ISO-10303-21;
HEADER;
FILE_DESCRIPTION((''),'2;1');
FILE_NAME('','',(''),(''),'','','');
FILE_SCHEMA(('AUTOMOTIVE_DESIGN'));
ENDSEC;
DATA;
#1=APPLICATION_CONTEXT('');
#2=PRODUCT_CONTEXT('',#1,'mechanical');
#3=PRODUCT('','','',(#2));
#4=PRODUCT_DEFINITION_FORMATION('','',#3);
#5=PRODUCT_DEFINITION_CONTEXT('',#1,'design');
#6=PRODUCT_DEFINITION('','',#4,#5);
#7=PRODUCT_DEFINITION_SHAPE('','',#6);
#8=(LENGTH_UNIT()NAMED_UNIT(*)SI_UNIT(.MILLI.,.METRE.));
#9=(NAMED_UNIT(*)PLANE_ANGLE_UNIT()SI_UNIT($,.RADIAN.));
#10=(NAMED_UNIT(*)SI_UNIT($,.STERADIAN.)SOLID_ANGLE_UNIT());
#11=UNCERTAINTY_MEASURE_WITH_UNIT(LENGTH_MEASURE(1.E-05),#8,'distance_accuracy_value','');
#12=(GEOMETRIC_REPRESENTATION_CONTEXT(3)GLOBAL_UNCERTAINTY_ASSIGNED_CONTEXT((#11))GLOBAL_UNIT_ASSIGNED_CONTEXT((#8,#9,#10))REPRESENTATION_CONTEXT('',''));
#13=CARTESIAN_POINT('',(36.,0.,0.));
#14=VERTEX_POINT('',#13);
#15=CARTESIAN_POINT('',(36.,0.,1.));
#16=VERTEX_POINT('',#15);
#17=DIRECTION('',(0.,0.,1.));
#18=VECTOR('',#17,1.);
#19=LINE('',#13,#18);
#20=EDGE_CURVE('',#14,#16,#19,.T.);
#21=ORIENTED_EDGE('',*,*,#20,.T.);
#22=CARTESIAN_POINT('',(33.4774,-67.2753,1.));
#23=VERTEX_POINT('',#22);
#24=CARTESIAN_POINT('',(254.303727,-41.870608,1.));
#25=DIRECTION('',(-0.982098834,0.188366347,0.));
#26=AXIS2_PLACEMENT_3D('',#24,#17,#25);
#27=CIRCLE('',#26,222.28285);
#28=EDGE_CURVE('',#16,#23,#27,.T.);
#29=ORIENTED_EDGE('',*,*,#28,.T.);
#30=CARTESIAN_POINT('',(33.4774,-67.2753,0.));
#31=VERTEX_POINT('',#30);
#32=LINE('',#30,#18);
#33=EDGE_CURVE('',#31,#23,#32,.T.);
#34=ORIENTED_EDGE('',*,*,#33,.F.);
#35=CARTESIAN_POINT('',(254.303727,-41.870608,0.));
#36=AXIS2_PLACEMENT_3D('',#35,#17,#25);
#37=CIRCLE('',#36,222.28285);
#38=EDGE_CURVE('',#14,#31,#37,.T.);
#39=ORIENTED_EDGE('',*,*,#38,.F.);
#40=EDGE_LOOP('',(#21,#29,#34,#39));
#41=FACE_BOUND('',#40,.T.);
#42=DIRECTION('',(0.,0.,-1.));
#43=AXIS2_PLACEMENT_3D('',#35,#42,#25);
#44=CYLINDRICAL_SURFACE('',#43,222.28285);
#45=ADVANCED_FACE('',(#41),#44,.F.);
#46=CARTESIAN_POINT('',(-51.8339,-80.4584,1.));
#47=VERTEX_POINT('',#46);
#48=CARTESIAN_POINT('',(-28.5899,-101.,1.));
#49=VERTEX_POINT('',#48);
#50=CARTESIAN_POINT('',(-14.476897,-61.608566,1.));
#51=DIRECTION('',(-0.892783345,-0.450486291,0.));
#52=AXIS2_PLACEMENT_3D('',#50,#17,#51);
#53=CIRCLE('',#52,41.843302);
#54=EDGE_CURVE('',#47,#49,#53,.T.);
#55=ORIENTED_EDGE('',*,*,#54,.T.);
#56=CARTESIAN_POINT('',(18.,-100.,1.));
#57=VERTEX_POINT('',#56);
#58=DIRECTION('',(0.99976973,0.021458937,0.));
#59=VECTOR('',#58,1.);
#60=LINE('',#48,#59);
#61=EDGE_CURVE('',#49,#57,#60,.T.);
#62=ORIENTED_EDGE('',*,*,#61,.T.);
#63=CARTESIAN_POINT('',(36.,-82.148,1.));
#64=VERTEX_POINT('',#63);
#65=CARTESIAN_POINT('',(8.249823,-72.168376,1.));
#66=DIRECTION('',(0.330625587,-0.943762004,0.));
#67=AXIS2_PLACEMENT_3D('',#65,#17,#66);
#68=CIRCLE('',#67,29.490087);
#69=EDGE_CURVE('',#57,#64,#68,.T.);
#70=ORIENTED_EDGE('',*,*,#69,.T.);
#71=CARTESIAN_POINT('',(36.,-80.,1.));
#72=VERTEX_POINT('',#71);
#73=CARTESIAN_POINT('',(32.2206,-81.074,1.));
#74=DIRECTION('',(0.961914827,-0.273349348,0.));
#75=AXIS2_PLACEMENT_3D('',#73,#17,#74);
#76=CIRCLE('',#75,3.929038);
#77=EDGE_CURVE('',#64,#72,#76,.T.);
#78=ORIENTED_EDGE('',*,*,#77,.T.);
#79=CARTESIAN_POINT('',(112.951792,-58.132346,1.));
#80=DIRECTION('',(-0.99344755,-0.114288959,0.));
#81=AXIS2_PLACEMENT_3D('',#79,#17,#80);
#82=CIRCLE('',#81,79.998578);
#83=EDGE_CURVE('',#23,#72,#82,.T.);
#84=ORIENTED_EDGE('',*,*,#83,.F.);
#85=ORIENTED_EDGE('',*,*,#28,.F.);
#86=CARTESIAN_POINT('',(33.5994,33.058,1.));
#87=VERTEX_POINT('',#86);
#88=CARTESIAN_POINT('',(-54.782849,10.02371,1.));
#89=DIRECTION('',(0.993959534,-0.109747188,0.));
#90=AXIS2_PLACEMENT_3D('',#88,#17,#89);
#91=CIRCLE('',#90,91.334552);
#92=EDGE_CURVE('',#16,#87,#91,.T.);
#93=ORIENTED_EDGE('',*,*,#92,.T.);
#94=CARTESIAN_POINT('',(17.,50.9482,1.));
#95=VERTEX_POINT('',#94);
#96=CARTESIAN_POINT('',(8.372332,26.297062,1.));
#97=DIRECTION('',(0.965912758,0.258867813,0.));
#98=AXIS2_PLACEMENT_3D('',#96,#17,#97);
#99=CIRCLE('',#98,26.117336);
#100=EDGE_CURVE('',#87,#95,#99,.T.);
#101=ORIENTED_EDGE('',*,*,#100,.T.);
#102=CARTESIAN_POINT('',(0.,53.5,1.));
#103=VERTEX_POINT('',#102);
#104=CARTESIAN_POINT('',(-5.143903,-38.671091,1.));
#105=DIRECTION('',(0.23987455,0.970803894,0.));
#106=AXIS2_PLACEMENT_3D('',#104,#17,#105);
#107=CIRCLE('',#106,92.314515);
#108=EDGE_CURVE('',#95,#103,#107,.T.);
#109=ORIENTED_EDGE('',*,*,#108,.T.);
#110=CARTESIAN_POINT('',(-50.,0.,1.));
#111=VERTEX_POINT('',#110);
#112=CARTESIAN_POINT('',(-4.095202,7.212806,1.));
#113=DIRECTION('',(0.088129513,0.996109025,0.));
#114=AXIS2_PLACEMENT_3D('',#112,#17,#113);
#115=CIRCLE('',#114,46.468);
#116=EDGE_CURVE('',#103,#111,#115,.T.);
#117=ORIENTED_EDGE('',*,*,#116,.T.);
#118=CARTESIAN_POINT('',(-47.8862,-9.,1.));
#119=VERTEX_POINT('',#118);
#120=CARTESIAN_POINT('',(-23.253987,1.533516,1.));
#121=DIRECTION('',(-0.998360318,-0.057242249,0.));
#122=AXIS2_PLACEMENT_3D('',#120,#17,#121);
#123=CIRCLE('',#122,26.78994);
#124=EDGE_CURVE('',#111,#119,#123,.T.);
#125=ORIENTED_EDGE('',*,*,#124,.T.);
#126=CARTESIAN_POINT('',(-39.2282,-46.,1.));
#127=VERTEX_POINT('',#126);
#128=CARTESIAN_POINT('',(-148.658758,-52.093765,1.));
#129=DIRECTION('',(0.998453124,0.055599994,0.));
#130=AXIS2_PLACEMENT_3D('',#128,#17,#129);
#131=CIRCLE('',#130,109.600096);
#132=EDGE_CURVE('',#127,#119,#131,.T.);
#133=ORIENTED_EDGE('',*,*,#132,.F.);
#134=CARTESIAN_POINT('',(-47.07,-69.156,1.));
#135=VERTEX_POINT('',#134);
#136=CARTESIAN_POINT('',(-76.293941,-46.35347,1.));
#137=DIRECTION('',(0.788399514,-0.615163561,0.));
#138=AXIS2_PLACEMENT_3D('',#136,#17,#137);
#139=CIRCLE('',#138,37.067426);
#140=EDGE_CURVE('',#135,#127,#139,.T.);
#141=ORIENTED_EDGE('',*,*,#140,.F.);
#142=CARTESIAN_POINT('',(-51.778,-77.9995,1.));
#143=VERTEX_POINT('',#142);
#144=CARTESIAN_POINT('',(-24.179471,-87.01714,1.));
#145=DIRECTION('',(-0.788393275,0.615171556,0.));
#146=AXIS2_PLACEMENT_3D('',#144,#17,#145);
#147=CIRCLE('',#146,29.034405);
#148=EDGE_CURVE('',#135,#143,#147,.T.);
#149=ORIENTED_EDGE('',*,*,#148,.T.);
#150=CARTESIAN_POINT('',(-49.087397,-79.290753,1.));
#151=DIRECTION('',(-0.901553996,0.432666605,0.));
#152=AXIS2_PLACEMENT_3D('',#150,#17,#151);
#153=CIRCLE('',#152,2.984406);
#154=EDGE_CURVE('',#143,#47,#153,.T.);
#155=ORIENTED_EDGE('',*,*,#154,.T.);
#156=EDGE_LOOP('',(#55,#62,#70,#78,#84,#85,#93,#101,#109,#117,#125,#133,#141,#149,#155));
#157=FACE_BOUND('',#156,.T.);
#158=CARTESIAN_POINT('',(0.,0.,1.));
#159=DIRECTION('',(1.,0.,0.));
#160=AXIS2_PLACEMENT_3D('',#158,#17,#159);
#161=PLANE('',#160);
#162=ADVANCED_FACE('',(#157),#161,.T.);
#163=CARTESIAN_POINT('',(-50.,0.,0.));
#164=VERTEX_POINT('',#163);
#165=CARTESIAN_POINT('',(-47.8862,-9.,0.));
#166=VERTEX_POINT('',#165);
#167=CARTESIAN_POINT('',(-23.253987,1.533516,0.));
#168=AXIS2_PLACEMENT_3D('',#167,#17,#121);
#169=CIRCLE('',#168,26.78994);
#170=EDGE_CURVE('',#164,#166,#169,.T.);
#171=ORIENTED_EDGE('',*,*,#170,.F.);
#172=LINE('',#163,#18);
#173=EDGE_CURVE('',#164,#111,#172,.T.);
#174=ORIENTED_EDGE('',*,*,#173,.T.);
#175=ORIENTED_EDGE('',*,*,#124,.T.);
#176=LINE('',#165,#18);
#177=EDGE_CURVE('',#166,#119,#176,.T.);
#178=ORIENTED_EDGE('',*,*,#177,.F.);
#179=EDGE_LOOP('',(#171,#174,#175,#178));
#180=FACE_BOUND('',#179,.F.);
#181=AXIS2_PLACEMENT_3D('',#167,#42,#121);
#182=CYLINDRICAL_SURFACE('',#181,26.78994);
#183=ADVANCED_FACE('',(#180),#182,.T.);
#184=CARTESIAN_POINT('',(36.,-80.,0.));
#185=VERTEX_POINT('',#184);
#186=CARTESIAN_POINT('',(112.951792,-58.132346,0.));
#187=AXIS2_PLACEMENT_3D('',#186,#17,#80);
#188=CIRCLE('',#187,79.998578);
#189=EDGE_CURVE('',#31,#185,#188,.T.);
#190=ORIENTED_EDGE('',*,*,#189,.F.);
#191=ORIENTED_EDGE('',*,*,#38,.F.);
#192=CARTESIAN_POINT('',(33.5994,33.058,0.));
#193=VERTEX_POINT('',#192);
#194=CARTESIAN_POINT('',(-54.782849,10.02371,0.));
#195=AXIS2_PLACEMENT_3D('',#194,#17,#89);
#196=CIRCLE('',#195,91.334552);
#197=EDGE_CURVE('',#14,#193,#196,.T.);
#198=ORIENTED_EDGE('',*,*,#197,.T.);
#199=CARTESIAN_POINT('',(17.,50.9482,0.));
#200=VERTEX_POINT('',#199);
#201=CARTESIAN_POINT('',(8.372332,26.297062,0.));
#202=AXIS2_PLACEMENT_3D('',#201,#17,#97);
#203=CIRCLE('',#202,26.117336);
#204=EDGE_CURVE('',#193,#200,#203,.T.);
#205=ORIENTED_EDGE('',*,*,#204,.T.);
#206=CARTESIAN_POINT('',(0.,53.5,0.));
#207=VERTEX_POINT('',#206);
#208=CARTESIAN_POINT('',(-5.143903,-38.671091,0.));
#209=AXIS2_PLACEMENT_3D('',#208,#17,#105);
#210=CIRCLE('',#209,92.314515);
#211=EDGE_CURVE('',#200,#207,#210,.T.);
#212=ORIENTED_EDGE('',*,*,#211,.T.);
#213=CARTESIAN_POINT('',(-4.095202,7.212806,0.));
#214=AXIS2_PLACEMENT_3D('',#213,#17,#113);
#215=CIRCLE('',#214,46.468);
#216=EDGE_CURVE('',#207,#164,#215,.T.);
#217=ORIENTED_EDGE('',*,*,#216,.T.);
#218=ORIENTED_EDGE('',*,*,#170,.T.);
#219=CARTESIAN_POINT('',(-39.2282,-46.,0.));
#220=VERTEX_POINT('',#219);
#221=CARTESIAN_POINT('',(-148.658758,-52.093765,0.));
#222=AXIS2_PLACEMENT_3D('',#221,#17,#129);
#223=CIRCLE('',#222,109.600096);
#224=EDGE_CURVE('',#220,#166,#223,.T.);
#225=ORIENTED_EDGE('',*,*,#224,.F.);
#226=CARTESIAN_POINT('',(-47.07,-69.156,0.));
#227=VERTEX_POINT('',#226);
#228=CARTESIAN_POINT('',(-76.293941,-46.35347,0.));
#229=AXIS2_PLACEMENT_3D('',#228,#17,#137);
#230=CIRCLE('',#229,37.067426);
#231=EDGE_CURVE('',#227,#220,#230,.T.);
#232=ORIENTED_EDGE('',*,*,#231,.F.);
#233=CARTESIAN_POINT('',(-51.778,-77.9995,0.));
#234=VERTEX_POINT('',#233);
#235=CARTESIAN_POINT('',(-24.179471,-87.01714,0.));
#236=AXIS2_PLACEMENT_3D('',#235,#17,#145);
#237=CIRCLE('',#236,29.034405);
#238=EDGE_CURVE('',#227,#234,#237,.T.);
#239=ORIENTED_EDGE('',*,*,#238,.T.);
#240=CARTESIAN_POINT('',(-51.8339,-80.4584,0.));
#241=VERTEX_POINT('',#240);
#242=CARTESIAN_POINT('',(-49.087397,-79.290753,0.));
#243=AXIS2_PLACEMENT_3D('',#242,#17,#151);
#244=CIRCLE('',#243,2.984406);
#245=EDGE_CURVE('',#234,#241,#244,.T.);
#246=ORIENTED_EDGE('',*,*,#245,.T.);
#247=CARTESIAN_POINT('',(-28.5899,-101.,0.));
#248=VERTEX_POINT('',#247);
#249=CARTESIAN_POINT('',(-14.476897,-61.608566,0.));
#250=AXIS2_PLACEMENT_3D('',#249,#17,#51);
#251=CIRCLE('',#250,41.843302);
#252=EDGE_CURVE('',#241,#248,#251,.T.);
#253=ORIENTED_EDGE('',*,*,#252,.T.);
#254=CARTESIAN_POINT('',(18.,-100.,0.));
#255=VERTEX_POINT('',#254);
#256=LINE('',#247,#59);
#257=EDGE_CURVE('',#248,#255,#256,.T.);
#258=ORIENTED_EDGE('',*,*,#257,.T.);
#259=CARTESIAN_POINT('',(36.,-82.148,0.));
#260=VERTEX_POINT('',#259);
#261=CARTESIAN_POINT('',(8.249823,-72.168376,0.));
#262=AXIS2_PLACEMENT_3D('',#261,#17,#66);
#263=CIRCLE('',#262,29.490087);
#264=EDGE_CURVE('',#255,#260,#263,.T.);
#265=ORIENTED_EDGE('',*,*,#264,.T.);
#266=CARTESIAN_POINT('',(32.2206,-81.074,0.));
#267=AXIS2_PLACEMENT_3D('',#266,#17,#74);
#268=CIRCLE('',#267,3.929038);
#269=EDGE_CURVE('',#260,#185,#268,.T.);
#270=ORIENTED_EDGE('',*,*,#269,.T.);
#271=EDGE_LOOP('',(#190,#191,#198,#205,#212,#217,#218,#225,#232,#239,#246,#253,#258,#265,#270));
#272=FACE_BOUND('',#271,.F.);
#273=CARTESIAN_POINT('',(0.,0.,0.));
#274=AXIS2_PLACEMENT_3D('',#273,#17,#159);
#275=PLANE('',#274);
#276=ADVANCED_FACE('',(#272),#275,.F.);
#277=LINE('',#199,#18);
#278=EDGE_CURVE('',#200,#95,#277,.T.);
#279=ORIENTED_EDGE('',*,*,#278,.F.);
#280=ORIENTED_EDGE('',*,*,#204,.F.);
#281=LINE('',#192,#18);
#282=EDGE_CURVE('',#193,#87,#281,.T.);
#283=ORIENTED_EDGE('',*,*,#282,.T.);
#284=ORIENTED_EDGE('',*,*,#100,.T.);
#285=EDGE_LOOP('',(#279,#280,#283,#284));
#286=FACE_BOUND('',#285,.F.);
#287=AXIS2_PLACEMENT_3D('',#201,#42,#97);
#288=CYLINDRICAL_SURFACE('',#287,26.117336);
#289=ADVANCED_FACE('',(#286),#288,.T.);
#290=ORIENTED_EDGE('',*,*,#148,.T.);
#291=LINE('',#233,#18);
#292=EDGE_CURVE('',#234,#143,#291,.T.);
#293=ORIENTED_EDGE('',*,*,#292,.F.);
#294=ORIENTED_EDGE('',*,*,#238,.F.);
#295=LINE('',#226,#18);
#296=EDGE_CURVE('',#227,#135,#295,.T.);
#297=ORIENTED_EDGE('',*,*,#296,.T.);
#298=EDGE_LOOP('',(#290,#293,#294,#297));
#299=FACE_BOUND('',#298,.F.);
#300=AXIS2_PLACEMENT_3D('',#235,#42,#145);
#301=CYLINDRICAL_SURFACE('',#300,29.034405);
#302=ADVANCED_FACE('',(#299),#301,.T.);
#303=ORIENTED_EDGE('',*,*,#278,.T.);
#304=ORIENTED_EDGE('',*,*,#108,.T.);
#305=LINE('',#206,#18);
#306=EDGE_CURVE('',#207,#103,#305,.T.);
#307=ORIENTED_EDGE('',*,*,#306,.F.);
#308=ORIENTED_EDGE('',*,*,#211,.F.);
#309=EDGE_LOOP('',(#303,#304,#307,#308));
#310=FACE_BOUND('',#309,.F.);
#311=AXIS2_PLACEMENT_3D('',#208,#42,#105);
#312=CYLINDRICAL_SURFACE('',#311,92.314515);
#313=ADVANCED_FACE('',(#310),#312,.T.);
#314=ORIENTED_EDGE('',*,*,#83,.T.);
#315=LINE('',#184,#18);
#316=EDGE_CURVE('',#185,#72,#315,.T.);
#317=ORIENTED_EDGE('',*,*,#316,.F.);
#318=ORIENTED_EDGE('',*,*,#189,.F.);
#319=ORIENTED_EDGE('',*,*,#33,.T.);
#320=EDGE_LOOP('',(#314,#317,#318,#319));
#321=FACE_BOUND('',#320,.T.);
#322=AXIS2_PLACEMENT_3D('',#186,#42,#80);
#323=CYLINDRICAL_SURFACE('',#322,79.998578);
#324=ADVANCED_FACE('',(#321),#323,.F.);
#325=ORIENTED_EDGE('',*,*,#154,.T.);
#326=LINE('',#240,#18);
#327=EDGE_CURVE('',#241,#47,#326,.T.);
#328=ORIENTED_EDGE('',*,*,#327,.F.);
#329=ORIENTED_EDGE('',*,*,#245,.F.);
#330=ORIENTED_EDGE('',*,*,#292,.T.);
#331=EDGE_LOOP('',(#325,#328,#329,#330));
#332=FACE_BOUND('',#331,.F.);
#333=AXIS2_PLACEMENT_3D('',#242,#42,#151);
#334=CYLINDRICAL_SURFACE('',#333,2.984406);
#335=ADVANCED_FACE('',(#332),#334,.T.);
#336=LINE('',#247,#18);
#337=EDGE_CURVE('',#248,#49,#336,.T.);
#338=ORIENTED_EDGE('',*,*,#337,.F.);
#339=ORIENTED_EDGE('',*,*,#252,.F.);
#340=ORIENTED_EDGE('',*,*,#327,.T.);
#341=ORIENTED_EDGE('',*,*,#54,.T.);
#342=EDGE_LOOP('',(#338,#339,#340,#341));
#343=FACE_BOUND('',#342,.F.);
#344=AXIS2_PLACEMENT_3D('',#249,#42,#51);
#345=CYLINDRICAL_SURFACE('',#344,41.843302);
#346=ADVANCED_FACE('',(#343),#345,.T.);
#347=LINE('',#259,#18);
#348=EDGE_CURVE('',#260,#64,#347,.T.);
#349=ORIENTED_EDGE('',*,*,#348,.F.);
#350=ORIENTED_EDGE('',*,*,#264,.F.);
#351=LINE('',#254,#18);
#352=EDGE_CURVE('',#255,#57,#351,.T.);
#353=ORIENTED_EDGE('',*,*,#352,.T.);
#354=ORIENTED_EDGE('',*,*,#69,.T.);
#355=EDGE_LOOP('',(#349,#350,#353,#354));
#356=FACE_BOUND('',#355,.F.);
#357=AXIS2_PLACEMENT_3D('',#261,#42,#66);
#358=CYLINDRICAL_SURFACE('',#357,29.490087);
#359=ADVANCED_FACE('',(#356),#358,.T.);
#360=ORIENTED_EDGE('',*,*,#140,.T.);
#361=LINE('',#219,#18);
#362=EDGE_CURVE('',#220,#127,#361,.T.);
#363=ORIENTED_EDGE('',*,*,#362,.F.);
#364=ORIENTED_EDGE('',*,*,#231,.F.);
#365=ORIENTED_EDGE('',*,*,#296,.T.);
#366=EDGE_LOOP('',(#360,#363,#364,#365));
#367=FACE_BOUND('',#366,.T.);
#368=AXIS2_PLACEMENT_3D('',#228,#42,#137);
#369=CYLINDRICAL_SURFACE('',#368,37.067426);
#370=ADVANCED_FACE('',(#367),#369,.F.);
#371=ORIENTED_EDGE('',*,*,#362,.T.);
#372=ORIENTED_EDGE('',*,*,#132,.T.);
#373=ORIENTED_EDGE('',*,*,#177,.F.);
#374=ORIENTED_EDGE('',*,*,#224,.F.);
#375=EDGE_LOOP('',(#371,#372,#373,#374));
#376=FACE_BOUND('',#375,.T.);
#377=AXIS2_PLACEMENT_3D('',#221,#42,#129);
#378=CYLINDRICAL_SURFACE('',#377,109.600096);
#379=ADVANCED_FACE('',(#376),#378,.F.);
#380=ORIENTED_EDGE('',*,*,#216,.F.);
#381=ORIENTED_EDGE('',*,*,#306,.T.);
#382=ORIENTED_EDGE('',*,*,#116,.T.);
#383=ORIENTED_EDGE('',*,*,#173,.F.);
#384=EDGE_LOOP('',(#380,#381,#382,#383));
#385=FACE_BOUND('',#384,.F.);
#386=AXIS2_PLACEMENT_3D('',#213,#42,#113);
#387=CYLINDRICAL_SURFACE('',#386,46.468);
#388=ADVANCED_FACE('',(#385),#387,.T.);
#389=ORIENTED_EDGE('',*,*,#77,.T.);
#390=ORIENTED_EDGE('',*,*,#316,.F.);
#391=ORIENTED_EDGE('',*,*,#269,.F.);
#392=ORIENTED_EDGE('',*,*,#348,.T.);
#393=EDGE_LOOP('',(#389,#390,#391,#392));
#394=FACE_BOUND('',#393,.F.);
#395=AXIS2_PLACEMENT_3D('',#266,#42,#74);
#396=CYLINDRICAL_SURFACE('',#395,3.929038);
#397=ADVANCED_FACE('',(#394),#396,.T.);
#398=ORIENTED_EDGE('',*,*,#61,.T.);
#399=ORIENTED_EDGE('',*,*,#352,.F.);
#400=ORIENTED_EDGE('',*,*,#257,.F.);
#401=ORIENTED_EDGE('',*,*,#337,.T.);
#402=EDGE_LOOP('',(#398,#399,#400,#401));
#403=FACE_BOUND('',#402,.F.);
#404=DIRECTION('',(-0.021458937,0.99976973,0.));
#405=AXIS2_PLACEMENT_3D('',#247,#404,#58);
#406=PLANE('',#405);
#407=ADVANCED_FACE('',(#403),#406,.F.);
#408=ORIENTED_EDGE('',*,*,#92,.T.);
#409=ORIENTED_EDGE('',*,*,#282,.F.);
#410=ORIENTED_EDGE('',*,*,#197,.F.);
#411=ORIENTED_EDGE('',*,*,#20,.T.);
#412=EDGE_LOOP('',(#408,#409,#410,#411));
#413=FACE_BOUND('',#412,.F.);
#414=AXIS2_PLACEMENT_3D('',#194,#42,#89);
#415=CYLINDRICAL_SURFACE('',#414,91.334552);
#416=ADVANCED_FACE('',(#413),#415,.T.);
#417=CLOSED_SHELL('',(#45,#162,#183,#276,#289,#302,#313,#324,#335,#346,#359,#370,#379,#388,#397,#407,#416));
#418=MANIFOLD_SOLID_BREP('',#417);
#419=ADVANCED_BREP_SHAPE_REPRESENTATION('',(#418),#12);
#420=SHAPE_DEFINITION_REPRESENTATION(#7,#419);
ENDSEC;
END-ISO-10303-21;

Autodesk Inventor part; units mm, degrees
ref_plane "YZ Plane" through (0, 0, 0) normal (1, 0, 0) x (0, 1, 0)
ref_plane "XZ Plane" through (0, 0, 0) normal (0, 1, 0) x (-1, 0, 0)
ref_plane "XY Plane" through (0, 0, 0) normal (0, 0, 1) x (1, 0, 0)
sketch "Sketch1" plane through (0, 0, 0) normal (0, 0, 1) x (1, 0, 0)
  arc A0 (17, 50.9482) -> (0, 53.5) centre (-5.1444, -38.6736) ccw
  arc A1 (36, 0) -> (33.5994, 33.058) centre (-54.7823, 10.0237) ccw
  line L0 (36, 0) -> (36, -80) construction
  arc A2 (-50, 0) -> (-47.8862, -9) centre (-23.2541, 1.5335) ccw
  line L1 (-50, 0) -> (-51.778, -77.9995) construction
  arc A3 (-39.2282, -46) -> (-47.8862, -9) centre (-148.6597, -52.0939) ccw
  arc A4 (-47.07, -69.156) -> (-39.2282, -46) centre (-76.2937, -46.3536) ccw
  arc A5 (-47.07, -69.156) -> (-51.778, -77.9995) centre (-24.1783, -87.0179) ccw
  line L2 (36, 0) -> (36, -80) construction
  arc A6 (0, 53.5) -> (-50, 0) centre (-4.0952, 7.2128) ccw
  arc A7 (-51.778, -77.9995) -> (-51.8339, -80.4584) centre (-49.0872, -79.2908) ccw
  arc A8 (-51.8339, -80.4584) -> (-28.5899, -101) centre (-14.4772, -61.6088) ccw
  line L3 (-28.5899, -101) -> (18, -100)
  arc A9 (36, 0) -> (33.4774, -67.2753) centre (254.3019, -41.8704) ccw
  arc A10 (18, -100) -> (36, -82.148) centre (8.2499, -72.1685) ccw
  arc A11 (33.4774, -67.2753) -> (36, -80) centre (112.9572, -58.1315) ccw
  arc A12 (36, -82.148) -> (36, -80) centre (32.2206, -81.074) ccw
  arc A13 (33.5994, 33.058) -> (17, 50.9482) centre (8.3724, 26.2971) ccw
  point P0 (0, 0)
  dimension "d6" = 53.5
  dimension "d7" = 50
  dimension "d8" = 36
  dimension "d10" = 80
  dimension "d16" = 77.9995
  dimension "d18" = 9
  dimension "d24" = 4.708
  dimension "d28" = 33.058
  dimension "d29" = 46
  dimension "d34" = 23.1881
  dimension "d35" = 18
  dimension "d36" = 0
  dimension "d38" = 92.317
  dimension "d39" = 91.334
  dimension "d40" = 46.468
  dimension "d41" = 26.7899
  dimension "d42" = 222.281
  dimension "d43" = 80.004
  dimension "d44" = 109.601
  dimension "d45" = 37.0672
  dimension "d46" = 29.0358
  dimension "d48" = 41.843
  dimension "d49" = 29.49
  dimension "d51" = 17
  dimension "d52" = 0
  dimension "d54" = 50
  dimension "d55" = 1.778
  dimension "d56" = 11.8173
  dimension "d57" = 67.2753
  dimension "d58" = 17.852
  dimension "d59" = 20.5416
  dimension "d63" = 26.1172
  dimension "d64" = 101
  dimension "d65" = 100
  dimension "d66" = 3.929
  dimension "d67" = 2.9846
  dimension "d68" = 23.244
extrude "Extrusion1" add sketch "Sketch1" along normal blind 1
properties part number "Grundform_Nao_Schuh_original"
